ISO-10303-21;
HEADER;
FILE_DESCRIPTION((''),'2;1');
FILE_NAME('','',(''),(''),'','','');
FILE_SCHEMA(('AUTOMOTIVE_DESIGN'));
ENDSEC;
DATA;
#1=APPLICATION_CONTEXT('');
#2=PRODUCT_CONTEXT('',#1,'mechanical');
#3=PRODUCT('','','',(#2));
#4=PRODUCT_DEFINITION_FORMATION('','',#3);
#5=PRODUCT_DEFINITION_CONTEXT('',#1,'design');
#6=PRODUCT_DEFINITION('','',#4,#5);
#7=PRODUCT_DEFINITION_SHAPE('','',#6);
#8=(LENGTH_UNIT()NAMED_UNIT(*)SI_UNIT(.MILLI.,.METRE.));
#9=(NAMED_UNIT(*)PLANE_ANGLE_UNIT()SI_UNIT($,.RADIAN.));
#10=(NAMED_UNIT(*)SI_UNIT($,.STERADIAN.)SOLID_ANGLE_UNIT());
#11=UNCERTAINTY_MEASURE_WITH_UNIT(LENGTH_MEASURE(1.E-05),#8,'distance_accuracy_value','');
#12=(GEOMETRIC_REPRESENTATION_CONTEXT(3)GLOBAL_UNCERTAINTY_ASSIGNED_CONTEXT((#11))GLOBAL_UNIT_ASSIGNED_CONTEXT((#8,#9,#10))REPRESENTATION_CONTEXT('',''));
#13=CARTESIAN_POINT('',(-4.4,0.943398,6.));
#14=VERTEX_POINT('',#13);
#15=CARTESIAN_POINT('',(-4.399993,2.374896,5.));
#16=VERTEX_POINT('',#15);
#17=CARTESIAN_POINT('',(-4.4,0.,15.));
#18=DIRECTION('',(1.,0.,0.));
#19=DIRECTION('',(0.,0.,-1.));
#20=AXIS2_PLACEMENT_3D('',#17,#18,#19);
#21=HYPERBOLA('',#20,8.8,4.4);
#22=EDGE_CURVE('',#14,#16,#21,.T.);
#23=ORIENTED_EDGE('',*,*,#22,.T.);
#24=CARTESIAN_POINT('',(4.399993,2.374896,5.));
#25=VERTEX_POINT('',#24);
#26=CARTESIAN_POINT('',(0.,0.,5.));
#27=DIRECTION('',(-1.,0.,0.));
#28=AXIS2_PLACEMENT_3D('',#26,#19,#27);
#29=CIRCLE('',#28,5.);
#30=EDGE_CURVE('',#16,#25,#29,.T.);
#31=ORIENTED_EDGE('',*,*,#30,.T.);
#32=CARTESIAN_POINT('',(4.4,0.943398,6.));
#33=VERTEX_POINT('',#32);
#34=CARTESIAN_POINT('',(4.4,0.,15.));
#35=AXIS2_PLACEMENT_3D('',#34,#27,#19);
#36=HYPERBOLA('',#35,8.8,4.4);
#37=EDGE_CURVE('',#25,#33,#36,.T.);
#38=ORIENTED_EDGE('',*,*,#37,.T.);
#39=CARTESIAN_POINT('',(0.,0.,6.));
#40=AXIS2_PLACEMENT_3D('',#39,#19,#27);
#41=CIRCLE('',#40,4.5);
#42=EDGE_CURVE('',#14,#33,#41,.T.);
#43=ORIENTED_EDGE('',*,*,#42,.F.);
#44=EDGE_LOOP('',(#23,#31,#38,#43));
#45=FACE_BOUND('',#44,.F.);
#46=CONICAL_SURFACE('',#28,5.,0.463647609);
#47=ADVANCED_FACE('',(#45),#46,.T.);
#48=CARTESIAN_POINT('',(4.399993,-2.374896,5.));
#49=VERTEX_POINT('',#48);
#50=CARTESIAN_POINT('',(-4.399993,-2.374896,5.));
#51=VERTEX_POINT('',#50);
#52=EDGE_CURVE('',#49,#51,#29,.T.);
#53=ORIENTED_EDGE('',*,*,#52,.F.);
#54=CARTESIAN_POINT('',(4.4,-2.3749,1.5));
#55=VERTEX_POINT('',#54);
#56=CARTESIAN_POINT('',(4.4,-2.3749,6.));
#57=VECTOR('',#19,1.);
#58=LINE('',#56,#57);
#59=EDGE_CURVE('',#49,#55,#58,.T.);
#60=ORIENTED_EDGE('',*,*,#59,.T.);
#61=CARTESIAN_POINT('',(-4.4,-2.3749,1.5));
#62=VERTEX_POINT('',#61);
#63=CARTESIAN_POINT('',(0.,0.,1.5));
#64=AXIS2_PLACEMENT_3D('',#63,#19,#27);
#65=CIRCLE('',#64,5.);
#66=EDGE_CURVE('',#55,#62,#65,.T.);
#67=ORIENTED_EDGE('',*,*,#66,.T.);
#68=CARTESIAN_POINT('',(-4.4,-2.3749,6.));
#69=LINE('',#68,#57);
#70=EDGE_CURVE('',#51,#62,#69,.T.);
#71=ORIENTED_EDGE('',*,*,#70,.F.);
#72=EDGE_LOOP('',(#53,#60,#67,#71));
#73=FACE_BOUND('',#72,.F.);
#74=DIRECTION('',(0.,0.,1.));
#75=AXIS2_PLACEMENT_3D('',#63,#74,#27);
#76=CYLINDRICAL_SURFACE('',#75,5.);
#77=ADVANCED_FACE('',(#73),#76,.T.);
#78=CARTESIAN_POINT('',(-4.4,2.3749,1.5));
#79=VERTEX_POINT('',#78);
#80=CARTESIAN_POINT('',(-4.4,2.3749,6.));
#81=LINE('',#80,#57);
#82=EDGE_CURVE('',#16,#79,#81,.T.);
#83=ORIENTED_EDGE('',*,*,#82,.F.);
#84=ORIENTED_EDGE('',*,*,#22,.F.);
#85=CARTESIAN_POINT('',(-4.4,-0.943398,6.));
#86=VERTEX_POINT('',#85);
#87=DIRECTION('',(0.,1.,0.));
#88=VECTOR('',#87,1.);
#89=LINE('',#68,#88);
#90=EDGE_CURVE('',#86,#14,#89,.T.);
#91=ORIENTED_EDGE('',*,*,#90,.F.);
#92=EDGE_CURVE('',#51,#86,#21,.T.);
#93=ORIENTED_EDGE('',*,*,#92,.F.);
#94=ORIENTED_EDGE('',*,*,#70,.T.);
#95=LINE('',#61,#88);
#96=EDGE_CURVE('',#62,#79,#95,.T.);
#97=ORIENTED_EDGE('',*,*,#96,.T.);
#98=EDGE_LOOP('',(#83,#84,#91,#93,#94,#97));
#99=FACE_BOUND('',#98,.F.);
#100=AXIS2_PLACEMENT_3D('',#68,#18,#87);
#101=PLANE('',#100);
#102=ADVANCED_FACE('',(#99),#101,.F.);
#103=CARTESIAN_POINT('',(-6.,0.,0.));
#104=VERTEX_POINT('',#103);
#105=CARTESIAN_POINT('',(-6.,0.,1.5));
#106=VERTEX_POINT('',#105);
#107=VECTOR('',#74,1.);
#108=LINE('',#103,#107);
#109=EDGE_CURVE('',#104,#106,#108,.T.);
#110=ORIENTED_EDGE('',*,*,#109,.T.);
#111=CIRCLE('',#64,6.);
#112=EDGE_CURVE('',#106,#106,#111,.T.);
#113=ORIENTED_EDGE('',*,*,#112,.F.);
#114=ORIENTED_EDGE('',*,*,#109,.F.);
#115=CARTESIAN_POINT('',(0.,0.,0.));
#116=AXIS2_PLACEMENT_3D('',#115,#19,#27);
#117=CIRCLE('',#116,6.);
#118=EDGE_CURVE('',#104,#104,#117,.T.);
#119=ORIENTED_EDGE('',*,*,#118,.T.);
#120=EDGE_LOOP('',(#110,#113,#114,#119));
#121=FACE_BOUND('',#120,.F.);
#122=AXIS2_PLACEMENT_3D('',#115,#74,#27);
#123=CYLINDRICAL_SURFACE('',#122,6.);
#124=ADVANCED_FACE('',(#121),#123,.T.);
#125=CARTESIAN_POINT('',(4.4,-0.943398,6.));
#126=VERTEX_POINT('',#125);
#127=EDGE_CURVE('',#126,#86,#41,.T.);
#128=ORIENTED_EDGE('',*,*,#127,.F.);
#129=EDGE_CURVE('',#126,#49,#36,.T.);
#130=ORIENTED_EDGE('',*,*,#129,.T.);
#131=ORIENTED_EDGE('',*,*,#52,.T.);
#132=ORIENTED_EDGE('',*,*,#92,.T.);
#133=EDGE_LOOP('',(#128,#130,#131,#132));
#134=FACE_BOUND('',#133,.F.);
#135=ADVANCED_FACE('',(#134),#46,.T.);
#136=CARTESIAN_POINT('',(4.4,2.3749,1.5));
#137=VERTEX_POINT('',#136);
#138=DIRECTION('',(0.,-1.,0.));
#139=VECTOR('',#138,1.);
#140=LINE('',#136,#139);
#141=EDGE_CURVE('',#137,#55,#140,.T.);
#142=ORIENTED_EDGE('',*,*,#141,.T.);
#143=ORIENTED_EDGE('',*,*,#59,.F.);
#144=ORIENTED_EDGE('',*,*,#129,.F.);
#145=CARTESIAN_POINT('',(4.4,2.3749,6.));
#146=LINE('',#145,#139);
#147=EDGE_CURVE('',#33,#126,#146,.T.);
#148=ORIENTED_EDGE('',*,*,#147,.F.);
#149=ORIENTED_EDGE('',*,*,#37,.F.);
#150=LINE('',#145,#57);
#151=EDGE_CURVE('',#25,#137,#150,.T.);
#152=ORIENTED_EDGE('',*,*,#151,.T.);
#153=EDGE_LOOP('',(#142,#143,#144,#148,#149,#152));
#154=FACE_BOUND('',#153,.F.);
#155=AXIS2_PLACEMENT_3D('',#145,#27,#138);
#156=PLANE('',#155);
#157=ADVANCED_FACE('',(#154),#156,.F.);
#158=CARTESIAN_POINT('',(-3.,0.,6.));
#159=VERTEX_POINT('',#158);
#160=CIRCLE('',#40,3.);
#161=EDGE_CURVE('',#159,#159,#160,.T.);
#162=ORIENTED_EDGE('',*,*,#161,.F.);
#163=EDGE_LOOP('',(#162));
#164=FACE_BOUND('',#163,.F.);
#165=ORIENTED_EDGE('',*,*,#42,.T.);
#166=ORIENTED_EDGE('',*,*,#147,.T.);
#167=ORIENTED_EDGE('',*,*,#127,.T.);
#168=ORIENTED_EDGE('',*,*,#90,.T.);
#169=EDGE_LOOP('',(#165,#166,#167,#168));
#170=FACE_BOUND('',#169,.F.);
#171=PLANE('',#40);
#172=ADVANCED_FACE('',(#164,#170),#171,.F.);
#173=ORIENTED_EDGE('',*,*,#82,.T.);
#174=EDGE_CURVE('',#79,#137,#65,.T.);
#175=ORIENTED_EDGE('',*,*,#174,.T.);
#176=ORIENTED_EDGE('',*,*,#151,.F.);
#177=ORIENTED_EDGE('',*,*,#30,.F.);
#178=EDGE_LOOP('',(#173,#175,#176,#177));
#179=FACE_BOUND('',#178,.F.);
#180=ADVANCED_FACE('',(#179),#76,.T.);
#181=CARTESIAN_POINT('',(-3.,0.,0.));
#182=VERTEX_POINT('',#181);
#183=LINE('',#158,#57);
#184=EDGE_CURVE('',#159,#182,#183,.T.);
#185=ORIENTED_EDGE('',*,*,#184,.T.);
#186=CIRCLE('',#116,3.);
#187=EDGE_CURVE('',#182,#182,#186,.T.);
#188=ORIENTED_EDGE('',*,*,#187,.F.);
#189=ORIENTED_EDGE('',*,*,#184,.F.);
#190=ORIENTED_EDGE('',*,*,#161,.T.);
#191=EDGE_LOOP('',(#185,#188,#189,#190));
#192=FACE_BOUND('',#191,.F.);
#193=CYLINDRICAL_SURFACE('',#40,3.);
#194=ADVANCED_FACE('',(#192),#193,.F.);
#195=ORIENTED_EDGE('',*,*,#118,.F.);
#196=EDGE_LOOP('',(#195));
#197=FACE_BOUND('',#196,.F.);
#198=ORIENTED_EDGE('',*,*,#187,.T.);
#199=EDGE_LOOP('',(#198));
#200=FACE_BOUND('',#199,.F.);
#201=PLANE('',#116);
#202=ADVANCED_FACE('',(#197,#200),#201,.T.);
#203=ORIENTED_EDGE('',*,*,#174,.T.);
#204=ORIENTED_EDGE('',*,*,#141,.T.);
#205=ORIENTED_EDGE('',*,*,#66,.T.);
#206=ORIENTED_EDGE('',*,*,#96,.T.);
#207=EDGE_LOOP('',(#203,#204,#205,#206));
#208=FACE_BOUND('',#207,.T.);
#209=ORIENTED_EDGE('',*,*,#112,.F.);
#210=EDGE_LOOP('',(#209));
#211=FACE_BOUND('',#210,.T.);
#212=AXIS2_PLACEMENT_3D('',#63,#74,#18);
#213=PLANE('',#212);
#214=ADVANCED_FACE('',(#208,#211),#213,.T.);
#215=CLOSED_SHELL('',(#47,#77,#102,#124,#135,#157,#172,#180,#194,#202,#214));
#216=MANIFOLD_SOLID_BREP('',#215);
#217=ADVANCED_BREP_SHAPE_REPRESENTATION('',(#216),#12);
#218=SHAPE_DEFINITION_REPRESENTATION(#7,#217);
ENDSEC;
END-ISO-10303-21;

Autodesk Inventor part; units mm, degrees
ref_plane "YZ Plane" through (0, 0, 0) normal (1, 0, 0) x (0, 1, 0)
ref_plane "XZ Plane" through (0, 0, 0) normal (0, 1, 0) x (-1, 0, 0)
ref_plane "XY Plane" through (0, 0, 0) normal (0, 0, 1) x (1, 0, 0)
sketch "スケッチ1" plane through (0, 0, 0) normal (0, 1, 0) x (-1, 0, 0)
  line L0 (3, 0) -> (6, 0)
  line L1 (6, 0) -> (6, 1.5)
  line L2 (6, 1.5) -> (5, 1.5)
  line L3 (5, 1.5) -> (5, 5)
  line L4 (4.5, 6) -> (3, 6)
  line L5 (3, 6) -> (3, 6)
  line L6 (0, 6) -> (0, 0) construction
  line L7 (3, 6) -> (3, 0)
  line L8 (5, 5) -> (4.5, 6)
  dimension "d0" = 3
  dimension "d4" = 6
  dimension "d5" = 1.5
  dimension "d6" = 6
  dimension "d8" = 5
  dimension "d9" = 1
  dimension "d10" = 0.5
revolve "回転1" add sketch "スケッチ1" angle 360 about axis through (0, 0, 6) along (0, 0, -1)
sketch "スケッチ2" plane through (0, 0, 6) normal (0, 0, 1) x (1, 0, 0)
  line L0 (4.4, -2.3749) -> (-4.4, -2.3749)
  line L1 (-4.4, -2.3749) -> (-4.4, 2.3749)
  line L2 (-4.4, 2.3749) -> (4.4, 2.3749)
  line L3 (4.4, 2.3749) -> (4.4, -2.3749)
  line L4 (4.4, -2.3749) -> (-4.4, 2.3749) construction
  line L5 (-4.4, -2.3749) -> (4.4, 2.3749) construction
  circle A0 centre (0, 0) radius 5
  dimension "d12" = 10
  dimension "d11" = 8.8
extrude "押し出し1" cut sketch "スケッチ2" against normal up to surface (4.5 mm away) contours L3 A0 | A0 L1
properties part number "LED-0606" material "アセタール樹脂、黒"
